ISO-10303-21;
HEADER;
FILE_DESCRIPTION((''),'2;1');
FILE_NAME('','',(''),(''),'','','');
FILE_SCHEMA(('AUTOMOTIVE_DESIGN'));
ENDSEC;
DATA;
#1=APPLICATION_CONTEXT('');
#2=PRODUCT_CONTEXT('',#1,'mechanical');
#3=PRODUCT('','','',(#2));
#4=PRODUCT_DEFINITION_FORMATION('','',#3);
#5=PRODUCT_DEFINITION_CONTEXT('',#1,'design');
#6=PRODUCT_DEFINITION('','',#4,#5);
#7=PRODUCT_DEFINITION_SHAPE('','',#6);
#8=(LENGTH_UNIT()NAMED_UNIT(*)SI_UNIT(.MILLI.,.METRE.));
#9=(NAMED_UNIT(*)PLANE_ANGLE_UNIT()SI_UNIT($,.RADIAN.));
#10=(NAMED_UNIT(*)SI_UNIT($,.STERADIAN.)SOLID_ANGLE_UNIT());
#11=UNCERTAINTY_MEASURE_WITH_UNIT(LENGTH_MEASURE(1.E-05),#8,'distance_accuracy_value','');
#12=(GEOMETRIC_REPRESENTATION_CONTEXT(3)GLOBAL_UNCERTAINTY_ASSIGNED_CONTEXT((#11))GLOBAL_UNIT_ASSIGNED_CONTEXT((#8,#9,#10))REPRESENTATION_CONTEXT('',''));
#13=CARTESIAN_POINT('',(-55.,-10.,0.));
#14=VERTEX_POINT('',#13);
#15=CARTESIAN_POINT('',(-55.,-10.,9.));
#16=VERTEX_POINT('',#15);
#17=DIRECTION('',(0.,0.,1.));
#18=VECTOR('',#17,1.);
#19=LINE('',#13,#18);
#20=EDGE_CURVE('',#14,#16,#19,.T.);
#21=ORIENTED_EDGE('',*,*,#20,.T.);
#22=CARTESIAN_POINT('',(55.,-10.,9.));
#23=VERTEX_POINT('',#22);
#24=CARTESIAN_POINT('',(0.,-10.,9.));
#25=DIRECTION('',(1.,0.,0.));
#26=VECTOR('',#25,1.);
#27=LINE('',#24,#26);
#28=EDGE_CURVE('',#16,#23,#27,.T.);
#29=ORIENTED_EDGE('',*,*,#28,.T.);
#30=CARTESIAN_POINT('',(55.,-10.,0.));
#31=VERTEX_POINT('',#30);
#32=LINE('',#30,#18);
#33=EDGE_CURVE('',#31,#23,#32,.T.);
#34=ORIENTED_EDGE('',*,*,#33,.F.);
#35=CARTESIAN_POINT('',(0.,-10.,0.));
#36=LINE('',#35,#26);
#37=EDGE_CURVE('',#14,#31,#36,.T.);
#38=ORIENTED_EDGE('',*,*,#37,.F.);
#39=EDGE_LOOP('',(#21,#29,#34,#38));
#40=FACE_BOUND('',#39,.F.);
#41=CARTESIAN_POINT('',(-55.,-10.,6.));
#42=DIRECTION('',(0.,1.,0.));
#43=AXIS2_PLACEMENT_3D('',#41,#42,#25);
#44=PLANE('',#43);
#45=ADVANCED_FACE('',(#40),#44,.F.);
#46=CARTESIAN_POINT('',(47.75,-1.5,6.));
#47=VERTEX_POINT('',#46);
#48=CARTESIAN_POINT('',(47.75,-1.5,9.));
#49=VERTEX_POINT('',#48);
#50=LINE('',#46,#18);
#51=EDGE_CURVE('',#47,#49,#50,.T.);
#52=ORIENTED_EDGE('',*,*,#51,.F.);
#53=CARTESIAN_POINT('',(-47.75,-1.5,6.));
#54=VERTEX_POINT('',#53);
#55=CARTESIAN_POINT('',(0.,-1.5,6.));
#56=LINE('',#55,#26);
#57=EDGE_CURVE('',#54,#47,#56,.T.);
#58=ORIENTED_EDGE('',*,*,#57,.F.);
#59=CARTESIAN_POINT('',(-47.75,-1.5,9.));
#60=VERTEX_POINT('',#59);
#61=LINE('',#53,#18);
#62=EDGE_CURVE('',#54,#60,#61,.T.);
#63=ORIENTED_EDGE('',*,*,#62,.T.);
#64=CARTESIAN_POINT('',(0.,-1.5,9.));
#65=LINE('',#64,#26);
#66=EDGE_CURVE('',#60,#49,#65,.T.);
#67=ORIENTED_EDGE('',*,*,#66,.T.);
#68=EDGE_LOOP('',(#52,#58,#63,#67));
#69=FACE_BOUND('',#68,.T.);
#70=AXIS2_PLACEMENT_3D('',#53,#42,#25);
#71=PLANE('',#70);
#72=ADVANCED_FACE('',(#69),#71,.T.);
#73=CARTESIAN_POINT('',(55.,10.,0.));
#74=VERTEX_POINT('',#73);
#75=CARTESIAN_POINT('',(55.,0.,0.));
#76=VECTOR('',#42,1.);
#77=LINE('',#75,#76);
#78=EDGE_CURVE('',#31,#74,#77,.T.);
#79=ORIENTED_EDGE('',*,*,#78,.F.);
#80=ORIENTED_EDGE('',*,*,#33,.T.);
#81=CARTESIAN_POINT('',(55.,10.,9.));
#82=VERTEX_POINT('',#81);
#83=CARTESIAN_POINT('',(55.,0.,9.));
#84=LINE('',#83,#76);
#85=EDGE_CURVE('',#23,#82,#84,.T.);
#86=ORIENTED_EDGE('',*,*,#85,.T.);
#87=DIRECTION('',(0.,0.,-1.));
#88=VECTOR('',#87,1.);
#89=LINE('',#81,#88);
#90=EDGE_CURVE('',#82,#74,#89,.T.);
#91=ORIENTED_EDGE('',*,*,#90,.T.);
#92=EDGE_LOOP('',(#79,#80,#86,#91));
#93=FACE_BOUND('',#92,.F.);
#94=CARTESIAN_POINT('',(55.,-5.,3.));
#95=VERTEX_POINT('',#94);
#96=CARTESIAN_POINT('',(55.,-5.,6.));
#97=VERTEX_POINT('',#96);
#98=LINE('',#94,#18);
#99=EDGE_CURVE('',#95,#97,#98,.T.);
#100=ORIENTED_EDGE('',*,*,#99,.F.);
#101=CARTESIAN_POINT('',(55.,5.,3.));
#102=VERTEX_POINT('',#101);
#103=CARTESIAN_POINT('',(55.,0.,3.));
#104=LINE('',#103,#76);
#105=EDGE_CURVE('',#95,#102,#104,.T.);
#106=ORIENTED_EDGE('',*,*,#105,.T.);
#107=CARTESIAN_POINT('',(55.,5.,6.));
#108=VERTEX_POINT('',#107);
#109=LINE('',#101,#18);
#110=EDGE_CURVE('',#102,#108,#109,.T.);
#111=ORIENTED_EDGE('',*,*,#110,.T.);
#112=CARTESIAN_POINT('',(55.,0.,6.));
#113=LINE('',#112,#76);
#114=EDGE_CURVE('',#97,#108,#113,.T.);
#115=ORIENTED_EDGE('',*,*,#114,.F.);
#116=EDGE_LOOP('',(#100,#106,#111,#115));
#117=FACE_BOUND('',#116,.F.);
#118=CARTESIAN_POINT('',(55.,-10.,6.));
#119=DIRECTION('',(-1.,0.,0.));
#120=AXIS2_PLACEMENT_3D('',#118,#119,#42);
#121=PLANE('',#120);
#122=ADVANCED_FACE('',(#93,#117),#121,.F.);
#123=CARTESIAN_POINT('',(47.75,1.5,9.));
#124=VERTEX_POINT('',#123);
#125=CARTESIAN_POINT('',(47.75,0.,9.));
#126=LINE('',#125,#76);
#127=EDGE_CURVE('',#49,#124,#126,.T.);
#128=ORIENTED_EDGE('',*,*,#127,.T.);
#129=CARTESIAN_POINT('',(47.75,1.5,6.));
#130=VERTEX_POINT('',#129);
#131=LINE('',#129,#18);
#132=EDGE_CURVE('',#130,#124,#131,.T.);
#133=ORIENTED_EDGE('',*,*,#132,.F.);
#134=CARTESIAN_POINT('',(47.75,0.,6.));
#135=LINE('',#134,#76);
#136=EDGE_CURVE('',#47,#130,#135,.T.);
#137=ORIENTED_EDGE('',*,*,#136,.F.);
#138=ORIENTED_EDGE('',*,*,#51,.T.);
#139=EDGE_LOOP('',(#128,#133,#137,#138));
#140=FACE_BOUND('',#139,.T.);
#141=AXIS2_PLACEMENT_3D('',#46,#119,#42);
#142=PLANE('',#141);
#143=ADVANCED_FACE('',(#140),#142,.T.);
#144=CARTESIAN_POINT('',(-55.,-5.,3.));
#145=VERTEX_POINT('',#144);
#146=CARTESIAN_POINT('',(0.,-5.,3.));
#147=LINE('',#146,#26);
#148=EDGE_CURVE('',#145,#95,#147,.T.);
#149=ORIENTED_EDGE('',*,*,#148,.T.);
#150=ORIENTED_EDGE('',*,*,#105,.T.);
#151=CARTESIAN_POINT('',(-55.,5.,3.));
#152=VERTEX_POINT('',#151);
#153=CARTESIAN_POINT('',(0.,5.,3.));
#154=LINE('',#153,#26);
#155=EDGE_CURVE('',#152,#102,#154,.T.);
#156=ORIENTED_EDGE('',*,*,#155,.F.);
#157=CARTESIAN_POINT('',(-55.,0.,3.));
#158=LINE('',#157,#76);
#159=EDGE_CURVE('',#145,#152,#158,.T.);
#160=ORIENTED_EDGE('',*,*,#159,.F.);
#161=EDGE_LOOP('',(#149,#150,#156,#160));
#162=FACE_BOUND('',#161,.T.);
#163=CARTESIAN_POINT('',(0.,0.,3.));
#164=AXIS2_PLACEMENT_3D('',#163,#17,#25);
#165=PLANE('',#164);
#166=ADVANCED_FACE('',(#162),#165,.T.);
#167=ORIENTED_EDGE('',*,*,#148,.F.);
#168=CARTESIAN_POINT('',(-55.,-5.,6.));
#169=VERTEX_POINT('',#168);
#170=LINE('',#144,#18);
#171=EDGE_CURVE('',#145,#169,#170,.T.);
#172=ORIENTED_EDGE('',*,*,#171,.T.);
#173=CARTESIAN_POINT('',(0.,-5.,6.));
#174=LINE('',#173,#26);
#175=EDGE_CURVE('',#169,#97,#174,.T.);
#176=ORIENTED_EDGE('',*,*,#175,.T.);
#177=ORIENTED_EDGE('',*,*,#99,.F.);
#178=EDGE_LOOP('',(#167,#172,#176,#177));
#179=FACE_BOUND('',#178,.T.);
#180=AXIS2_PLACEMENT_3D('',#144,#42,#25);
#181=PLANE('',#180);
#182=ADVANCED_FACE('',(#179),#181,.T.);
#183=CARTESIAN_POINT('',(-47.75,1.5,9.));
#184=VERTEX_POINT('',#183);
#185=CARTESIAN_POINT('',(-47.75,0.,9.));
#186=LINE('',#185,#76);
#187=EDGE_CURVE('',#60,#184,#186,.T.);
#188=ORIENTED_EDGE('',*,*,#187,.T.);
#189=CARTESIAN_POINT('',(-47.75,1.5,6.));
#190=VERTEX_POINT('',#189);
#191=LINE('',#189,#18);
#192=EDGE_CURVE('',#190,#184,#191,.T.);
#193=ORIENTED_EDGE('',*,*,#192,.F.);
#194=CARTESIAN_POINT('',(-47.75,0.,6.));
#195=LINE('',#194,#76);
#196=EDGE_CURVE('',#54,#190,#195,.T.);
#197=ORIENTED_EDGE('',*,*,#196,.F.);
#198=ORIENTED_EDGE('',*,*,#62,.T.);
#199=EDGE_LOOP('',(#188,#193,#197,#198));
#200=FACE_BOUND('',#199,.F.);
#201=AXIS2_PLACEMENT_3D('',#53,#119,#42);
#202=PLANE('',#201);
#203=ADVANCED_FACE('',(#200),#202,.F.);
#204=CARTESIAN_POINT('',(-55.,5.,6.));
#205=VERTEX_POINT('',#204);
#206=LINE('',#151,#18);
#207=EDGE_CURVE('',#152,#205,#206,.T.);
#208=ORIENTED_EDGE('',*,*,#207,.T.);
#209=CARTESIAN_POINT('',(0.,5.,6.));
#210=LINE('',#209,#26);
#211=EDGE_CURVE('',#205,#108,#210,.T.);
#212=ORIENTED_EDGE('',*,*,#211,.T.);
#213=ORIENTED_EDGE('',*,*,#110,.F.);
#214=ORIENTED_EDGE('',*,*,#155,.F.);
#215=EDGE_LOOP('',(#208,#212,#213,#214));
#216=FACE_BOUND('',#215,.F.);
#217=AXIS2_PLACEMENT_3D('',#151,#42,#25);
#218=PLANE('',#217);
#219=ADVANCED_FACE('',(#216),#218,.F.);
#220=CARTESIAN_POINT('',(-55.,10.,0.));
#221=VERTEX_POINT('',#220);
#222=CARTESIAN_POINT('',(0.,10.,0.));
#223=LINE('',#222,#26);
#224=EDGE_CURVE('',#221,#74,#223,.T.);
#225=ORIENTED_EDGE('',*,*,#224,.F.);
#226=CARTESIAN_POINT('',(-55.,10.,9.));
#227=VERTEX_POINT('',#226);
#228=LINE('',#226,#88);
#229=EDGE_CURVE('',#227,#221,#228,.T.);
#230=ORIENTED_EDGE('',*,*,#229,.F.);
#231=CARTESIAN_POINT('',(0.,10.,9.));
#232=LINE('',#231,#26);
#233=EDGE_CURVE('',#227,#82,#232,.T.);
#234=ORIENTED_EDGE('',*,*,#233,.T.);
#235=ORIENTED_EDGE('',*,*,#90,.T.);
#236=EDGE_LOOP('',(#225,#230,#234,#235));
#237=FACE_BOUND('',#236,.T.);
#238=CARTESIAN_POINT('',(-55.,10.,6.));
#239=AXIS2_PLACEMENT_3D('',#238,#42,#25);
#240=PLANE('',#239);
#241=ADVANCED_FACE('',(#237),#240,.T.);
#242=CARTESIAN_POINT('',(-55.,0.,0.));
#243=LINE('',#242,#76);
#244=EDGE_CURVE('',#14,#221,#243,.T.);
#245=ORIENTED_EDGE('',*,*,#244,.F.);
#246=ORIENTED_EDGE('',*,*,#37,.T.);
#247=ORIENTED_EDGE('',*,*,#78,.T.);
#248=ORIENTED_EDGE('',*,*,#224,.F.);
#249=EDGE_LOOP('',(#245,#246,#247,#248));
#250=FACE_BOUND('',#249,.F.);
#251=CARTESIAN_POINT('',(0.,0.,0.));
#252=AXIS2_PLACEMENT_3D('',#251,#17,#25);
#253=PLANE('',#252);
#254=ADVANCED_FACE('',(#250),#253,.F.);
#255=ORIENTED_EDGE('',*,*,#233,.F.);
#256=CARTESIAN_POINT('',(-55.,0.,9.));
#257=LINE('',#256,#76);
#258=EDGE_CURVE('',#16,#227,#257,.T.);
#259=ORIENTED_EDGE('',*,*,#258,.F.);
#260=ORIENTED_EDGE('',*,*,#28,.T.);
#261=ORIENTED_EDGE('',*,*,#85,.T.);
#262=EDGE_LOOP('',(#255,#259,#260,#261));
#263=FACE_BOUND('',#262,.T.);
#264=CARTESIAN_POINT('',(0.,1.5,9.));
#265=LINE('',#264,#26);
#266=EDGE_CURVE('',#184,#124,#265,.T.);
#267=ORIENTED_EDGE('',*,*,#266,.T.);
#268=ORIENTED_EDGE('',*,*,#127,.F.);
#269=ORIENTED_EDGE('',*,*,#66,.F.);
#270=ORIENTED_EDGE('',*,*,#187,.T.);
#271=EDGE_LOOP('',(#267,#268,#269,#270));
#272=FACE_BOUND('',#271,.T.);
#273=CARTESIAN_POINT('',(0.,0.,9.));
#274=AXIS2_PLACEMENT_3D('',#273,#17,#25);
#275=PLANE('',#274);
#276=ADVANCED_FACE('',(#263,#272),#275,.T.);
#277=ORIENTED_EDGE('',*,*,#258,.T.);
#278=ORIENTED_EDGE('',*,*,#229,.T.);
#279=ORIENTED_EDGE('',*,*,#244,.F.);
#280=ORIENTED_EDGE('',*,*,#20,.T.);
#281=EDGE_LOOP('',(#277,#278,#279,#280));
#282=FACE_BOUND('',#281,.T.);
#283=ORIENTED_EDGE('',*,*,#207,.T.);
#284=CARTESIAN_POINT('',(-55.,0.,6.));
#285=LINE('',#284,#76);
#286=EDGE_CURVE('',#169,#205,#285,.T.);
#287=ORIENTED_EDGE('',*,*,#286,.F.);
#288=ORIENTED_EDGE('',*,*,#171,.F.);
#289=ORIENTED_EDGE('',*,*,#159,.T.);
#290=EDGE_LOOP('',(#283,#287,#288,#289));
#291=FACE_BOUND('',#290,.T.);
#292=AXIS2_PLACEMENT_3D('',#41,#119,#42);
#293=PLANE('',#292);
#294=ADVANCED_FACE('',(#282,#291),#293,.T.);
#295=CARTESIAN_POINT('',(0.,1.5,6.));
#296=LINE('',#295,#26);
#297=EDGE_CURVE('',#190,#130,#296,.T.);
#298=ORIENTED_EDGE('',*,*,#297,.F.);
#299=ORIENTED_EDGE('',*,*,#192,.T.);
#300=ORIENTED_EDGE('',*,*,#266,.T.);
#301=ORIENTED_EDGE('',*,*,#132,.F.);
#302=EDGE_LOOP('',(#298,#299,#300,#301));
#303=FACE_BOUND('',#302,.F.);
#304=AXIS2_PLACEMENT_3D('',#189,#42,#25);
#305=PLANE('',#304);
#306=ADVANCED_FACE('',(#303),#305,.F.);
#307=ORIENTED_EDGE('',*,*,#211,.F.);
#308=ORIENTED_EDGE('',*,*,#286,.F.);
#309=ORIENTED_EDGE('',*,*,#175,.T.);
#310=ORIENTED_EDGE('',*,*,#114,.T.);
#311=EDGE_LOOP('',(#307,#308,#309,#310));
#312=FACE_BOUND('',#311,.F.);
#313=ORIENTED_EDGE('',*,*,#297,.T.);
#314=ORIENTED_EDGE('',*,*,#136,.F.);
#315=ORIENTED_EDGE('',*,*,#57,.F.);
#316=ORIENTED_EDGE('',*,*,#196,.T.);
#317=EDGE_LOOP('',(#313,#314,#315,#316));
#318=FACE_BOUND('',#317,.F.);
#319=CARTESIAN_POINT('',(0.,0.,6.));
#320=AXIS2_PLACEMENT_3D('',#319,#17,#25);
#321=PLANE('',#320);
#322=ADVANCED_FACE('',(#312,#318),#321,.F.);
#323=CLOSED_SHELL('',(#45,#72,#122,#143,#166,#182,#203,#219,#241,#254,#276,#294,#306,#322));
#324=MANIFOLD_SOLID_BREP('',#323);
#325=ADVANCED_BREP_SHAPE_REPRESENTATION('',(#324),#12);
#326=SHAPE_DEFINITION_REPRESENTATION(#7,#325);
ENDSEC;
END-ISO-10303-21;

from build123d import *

# Parameters (mm, degrees)
SKETCH_W      = 110
SKETCH_H      = 20
PAD_DEPTH     = 3
SKETCH001_W   = 110
SKETCH001_H   = 5
PAD001_DEPTH  = 3
SKETCH002_W   = 110
SKETCH002_H   = 20
SKETCH002_W_2 = 95.5
SKETCH002_H_2 = 3
PAD002_DEPTH  = 3


with BuildPart() as part:
    # Sketch → Pad (new body)
    with BuildSketch(Plane.XY):
        Rectangle(SKETCH_W, SKETCH_H)
    extrude(amount=PAD_DEPTH)

    # Sketch001 (on Face6 of Pad) → Pad001 (join)
    with BuildSketch(Plane.XY.offset(3)):
        with Locations((0, 7.5)):
            Rectangle(SKETCH001_W, SKETCH001_H)
        with Locations((0, -7.5)):
            Rectangle(SKETCH001_W, SKETCH001_H)
    extrude(amount=PAD001_DEPTH)

    # Sketch002 (on Face12 of Pad001) → Pad002 (join)
    with BuildSketch(Plane.XY.offset(6)):
        Rectangle(SKETCH002_W, SKETCH002_H)
        Rectangle(SKETCH002_W_2, SKETCH002_H_2, mode=Mode.SUBTRACT)
    extrude(amount=PAD002_DEPTH)


solid = part.part
